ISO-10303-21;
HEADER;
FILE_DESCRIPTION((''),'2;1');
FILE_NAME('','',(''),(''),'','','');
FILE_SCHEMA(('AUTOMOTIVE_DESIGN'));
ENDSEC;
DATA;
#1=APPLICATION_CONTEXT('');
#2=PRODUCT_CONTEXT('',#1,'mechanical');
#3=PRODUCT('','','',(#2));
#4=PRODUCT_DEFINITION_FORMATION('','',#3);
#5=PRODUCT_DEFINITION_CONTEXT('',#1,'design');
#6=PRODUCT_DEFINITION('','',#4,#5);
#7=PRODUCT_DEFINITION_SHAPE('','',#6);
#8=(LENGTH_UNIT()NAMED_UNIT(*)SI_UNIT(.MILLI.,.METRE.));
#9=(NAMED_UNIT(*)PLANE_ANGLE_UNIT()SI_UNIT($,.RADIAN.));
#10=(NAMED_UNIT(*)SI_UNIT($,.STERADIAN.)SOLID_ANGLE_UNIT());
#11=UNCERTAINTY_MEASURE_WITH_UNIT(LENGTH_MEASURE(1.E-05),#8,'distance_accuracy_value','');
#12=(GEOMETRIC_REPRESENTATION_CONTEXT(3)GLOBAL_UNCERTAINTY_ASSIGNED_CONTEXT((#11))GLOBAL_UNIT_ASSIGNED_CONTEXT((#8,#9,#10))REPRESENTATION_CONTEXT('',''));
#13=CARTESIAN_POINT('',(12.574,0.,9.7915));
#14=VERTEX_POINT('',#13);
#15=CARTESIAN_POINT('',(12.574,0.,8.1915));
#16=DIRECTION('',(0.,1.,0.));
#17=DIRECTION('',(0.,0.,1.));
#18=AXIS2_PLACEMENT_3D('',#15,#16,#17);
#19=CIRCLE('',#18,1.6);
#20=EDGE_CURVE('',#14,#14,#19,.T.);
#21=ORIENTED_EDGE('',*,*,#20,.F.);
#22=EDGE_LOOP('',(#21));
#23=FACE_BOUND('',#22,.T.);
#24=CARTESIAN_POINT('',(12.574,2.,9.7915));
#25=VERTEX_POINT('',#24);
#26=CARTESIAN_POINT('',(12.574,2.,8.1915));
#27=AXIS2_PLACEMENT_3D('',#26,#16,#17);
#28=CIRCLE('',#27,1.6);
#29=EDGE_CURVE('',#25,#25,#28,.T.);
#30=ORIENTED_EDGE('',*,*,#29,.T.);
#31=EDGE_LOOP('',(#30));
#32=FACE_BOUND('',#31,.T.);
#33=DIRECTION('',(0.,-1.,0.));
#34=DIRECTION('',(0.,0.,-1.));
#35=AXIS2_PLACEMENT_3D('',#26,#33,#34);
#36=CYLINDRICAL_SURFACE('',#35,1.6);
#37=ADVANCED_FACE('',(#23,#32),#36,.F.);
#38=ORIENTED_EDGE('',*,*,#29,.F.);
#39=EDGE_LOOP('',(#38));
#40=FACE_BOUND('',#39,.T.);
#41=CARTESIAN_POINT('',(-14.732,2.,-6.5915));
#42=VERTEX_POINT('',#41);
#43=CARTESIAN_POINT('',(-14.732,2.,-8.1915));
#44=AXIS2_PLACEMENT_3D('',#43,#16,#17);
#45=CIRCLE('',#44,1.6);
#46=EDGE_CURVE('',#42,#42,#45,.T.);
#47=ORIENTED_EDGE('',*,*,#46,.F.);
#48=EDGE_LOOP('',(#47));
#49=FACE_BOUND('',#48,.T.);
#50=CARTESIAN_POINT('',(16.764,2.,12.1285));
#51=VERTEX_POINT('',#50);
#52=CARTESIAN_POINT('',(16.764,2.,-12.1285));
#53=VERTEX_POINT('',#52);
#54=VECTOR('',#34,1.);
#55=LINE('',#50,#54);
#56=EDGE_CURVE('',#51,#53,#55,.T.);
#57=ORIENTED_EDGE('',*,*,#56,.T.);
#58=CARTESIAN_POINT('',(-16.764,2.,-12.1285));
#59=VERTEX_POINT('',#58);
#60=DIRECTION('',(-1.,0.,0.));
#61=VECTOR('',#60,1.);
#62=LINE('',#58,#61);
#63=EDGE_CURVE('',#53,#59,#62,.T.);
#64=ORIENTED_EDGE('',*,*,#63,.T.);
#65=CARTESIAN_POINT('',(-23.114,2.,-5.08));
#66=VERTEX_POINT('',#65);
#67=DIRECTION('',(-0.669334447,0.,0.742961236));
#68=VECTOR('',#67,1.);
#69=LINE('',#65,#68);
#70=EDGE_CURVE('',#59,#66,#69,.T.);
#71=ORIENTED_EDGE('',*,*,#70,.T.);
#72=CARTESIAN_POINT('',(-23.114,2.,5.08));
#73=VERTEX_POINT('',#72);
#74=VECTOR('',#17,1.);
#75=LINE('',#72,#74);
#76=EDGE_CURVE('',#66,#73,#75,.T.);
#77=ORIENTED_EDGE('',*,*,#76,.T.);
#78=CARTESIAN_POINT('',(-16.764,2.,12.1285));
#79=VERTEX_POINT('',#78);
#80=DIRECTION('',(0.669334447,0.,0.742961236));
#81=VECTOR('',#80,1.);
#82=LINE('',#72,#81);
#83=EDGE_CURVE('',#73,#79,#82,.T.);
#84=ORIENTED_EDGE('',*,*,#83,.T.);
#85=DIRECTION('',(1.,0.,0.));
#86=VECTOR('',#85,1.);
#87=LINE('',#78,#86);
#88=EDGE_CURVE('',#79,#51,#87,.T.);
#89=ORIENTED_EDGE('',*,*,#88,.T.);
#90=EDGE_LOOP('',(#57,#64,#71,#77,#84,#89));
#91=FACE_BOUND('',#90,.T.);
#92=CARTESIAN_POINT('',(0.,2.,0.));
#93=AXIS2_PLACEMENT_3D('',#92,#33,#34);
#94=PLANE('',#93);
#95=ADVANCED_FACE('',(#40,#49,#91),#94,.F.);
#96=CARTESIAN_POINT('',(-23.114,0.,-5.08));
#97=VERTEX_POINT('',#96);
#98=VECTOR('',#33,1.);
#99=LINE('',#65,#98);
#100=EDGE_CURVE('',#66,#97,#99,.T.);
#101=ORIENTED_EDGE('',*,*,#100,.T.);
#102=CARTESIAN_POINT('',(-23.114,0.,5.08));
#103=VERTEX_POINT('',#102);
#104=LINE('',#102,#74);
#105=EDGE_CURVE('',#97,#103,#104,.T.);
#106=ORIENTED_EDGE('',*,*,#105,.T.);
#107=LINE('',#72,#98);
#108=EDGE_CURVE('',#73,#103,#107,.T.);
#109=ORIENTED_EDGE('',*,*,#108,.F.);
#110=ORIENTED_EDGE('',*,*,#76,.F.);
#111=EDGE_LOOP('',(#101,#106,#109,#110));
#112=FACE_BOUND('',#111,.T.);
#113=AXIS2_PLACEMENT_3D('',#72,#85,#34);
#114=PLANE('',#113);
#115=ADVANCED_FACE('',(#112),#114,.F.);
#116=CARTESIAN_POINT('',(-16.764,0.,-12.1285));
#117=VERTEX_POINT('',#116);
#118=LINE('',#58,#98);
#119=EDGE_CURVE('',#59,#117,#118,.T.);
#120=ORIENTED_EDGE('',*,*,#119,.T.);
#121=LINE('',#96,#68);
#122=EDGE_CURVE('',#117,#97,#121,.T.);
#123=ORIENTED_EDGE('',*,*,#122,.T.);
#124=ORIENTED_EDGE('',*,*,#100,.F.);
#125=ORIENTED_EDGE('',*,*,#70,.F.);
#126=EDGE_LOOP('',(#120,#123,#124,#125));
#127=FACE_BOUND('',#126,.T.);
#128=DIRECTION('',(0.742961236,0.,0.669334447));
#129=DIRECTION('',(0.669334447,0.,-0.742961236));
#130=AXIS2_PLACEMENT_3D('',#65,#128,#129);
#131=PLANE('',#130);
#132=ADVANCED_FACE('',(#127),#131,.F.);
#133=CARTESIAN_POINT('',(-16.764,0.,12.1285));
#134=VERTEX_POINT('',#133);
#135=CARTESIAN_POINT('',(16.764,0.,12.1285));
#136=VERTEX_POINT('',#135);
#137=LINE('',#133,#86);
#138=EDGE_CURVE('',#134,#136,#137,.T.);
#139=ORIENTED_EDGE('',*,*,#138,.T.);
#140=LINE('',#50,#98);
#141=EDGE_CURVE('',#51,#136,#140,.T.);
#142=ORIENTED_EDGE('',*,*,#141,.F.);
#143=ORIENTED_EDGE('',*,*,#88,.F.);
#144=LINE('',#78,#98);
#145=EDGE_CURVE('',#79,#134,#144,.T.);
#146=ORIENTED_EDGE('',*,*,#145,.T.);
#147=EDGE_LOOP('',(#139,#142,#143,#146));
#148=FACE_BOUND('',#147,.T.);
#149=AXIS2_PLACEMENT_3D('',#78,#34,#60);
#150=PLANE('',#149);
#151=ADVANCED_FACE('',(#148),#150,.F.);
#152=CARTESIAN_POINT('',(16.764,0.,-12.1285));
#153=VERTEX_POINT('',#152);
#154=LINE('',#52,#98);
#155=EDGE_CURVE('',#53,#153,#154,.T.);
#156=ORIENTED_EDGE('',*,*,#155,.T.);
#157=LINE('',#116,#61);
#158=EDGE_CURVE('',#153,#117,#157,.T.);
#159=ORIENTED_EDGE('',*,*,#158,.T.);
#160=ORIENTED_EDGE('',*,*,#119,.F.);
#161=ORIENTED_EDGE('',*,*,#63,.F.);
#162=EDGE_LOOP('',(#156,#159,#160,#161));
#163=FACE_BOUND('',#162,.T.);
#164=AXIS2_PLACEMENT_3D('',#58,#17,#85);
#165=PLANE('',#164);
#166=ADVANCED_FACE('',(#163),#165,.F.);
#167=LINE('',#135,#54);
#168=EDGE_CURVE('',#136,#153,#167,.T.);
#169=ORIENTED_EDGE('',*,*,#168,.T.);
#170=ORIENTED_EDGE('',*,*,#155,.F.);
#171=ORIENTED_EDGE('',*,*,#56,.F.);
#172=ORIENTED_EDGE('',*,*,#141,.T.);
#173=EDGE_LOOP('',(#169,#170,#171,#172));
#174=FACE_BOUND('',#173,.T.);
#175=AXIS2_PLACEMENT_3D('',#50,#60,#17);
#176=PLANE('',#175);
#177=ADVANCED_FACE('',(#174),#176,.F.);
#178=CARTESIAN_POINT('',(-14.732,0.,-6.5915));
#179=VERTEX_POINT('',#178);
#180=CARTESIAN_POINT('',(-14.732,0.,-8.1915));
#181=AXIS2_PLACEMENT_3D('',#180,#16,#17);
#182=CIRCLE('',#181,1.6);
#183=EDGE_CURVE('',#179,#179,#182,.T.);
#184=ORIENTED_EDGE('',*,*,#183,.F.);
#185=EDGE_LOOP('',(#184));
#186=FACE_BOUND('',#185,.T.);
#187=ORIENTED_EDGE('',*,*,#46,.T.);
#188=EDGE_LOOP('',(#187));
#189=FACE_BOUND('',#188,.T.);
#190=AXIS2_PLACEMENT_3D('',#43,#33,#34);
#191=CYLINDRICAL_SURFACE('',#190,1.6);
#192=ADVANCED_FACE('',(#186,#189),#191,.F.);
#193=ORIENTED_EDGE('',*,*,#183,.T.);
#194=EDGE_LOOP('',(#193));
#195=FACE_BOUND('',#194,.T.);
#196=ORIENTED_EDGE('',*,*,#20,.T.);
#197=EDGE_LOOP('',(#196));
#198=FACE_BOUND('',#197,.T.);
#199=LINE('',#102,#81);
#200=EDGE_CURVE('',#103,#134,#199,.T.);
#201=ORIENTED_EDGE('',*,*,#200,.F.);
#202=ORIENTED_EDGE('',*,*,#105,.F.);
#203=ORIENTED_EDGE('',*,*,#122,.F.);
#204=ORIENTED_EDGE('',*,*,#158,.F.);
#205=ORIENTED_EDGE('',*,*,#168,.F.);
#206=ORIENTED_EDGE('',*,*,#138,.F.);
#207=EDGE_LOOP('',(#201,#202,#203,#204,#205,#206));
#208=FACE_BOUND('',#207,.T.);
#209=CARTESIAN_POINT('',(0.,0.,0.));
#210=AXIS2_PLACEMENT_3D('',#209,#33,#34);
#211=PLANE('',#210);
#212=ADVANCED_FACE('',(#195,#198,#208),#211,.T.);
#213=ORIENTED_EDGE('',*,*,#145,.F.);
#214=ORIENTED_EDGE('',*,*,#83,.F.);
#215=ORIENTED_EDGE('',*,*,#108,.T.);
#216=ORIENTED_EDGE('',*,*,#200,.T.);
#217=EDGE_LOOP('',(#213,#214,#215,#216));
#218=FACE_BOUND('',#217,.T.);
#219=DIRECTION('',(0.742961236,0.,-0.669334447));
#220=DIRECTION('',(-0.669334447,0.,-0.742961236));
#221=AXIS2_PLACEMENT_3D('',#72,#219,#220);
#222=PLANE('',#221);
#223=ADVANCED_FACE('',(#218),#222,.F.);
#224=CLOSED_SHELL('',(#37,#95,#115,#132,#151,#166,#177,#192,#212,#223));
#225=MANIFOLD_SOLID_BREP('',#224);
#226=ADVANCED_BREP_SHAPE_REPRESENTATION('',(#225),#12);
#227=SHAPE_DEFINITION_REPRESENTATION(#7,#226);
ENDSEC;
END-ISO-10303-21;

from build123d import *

# Parameters (mm, degrees)
SKETCH1_R           = 1.6
BOSS_EXTRUDE1_DEPTH = 2


with BuildPart() as part:
    # Sketch1 → Boss-Extrude1 (new body)
    with BuildSketch(Plane(origin=(0, 0, 0), x_dir=(1, 0, 0), z_dir=(0, 1, 0))):
        Polygon((-16.764, -12.1285), (16.764, -12.1285), (16.764, 12.1285), (-16.764, 12.1285), (-23.114, 5.08), (-23.114, -5.08), align=None)
        with Locations((12.574, -8.1915)):
            Circle(SKETCH1_R, mode=Mode.SUBTRACT)
        with Locations((-14.732, 8.1915)):
            Circle(SKETCH1_R, mode=Mode.SUBTRACT)
    extrude(amount=BOSS_EXTRUDE1_DEPTH)


solid = part.part
